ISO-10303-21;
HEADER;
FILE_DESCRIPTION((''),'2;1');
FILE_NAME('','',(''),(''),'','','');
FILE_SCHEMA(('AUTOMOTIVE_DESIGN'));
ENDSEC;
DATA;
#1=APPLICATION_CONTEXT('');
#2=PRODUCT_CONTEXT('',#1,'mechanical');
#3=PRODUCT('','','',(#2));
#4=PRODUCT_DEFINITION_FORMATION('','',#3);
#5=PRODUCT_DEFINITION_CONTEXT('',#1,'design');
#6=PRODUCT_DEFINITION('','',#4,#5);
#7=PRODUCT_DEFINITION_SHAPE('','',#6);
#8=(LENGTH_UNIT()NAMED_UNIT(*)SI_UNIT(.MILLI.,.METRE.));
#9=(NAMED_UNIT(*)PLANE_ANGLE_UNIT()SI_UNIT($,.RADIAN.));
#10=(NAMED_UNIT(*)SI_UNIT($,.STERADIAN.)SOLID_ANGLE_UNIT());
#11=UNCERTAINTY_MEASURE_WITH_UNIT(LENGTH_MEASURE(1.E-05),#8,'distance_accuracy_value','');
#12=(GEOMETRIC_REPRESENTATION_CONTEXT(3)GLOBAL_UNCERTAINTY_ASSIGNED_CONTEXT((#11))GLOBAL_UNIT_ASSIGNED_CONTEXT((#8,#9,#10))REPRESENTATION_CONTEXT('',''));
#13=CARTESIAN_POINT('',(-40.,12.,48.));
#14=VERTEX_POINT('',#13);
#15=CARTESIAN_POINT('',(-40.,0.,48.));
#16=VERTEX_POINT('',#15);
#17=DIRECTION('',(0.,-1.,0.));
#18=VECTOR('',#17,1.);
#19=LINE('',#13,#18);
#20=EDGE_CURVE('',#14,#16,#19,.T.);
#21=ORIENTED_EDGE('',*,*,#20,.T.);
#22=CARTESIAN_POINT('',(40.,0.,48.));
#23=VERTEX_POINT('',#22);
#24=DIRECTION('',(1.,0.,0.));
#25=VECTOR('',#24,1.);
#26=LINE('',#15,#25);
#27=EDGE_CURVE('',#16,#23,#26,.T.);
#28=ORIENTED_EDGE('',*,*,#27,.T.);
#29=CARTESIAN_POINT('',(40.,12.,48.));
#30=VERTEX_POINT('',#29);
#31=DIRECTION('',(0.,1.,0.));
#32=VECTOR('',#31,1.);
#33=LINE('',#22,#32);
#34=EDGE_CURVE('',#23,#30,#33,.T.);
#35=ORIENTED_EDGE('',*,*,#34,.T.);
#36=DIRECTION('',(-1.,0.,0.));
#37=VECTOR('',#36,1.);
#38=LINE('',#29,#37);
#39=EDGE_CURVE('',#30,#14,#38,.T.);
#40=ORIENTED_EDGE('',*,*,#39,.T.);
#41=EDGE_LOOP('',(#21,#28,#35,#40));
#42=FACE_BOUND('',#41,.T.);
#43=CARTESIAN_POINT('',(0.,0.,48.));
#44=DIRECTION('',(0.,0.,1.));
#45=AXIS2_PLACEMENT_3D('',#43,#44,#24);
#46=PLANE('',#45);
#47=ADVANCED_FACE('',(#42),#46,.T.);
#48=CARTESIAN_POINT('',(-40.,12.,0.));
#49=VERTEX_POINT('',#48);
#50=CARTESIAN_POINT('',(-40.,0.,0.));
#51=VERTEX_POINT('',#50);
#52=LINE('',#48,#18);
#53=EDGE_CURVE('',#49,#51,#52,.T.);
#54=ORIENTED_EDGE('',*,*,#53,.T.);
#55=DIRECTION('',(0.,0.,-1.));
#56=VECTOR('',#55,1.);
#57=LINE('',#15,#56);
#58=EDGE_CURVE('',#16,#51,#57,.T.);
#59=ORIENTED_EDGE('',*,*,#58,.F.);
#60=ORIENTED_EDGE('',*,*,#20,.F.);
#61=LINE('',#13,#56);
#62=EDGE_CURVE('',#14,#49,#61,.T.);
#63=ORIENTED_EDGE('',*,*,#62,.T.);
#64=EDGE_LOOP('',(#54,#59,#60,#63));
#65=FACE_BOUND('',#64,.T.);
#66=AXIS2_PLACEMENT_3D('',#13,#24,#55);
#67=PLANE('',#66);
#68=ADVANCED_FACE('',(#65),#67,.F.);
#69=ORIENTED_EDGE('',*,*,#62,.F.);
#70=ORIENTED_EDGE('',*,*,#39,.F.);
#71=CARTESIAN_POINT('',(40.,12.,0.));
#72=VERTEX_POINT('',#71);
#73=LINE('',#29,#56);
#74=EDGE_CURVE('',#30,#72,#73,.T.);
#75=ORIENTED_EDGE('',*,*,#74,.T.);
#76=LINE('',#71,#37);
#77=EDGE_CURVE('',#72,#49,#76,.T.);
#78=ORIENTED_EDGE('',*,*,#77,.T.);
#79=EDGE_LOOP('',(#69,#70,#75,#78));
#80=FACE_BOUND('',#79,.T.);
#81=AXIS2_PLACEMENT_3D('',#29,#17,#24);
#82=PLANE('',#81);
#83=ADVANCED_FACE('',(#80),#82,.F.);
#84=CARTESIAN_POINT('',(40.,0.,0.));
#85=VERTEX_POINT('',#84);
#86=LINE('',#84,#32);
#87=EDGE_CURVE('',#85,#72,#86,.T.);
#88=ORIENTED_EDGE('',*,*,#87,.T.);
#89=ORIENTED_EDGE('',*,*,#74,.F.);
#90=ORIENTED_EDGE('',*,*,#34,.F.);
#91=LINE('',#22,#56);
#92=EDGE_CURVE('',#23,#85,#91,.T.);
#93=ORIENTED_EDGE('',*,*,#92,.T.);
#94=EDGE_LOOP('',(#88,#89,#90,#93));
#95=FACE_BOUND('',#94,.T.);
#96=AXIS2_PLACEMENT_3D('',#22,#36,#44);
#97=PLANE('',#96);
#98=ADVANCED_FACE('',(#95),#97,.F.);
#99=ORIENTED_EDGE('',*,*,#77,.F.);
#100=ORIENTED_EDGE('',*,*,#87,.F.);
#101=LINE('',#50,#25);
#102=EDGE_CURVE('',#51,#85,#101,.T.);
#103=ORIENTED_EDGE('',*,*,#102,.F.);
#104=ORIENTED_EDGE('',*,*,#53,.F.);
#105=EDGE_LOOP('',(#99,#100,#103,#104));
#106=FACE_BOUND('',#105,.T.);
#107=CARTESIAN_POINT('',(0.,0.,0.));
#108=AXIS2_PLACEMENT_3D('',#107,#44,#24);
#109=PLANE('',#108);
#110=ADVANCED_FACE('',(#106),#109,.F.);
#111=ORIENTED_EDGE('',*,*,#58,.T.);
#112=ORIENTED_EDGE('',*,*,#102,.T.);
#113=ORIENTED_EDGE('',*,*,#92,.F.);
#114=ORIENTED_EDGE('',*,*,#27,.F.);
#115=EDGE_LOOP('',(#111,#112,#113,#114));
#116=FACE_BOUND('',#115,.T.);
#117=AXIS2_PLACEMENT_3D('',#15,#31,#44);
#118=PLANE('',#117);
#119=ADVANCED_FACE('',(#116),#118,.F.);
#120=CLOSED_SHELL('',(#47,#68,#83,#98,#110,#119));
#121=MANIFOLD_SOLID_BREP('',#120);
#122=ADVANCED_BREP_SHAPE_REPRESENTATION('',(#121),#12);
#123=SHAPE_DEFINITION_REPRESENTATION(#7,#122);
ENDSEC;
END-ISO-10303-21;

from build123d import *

# Parameters (mm, degrees)
SKETCH_1_W      = 80
SKETCH_1_H      = 12
EXTRUDE_1_DEPTH = 48


with BuildPart() as part:
    # 草图1 → 凸台-拉伸1 (new body)
    with BuildSketch(Plane.XY):
        with Locations((0, 6)):
            Rectangle(SKETCH_1_W, SKETCH_1_H)
    extrude(amount=EXTRUDE_1_DEPTH)


solid = part.part
